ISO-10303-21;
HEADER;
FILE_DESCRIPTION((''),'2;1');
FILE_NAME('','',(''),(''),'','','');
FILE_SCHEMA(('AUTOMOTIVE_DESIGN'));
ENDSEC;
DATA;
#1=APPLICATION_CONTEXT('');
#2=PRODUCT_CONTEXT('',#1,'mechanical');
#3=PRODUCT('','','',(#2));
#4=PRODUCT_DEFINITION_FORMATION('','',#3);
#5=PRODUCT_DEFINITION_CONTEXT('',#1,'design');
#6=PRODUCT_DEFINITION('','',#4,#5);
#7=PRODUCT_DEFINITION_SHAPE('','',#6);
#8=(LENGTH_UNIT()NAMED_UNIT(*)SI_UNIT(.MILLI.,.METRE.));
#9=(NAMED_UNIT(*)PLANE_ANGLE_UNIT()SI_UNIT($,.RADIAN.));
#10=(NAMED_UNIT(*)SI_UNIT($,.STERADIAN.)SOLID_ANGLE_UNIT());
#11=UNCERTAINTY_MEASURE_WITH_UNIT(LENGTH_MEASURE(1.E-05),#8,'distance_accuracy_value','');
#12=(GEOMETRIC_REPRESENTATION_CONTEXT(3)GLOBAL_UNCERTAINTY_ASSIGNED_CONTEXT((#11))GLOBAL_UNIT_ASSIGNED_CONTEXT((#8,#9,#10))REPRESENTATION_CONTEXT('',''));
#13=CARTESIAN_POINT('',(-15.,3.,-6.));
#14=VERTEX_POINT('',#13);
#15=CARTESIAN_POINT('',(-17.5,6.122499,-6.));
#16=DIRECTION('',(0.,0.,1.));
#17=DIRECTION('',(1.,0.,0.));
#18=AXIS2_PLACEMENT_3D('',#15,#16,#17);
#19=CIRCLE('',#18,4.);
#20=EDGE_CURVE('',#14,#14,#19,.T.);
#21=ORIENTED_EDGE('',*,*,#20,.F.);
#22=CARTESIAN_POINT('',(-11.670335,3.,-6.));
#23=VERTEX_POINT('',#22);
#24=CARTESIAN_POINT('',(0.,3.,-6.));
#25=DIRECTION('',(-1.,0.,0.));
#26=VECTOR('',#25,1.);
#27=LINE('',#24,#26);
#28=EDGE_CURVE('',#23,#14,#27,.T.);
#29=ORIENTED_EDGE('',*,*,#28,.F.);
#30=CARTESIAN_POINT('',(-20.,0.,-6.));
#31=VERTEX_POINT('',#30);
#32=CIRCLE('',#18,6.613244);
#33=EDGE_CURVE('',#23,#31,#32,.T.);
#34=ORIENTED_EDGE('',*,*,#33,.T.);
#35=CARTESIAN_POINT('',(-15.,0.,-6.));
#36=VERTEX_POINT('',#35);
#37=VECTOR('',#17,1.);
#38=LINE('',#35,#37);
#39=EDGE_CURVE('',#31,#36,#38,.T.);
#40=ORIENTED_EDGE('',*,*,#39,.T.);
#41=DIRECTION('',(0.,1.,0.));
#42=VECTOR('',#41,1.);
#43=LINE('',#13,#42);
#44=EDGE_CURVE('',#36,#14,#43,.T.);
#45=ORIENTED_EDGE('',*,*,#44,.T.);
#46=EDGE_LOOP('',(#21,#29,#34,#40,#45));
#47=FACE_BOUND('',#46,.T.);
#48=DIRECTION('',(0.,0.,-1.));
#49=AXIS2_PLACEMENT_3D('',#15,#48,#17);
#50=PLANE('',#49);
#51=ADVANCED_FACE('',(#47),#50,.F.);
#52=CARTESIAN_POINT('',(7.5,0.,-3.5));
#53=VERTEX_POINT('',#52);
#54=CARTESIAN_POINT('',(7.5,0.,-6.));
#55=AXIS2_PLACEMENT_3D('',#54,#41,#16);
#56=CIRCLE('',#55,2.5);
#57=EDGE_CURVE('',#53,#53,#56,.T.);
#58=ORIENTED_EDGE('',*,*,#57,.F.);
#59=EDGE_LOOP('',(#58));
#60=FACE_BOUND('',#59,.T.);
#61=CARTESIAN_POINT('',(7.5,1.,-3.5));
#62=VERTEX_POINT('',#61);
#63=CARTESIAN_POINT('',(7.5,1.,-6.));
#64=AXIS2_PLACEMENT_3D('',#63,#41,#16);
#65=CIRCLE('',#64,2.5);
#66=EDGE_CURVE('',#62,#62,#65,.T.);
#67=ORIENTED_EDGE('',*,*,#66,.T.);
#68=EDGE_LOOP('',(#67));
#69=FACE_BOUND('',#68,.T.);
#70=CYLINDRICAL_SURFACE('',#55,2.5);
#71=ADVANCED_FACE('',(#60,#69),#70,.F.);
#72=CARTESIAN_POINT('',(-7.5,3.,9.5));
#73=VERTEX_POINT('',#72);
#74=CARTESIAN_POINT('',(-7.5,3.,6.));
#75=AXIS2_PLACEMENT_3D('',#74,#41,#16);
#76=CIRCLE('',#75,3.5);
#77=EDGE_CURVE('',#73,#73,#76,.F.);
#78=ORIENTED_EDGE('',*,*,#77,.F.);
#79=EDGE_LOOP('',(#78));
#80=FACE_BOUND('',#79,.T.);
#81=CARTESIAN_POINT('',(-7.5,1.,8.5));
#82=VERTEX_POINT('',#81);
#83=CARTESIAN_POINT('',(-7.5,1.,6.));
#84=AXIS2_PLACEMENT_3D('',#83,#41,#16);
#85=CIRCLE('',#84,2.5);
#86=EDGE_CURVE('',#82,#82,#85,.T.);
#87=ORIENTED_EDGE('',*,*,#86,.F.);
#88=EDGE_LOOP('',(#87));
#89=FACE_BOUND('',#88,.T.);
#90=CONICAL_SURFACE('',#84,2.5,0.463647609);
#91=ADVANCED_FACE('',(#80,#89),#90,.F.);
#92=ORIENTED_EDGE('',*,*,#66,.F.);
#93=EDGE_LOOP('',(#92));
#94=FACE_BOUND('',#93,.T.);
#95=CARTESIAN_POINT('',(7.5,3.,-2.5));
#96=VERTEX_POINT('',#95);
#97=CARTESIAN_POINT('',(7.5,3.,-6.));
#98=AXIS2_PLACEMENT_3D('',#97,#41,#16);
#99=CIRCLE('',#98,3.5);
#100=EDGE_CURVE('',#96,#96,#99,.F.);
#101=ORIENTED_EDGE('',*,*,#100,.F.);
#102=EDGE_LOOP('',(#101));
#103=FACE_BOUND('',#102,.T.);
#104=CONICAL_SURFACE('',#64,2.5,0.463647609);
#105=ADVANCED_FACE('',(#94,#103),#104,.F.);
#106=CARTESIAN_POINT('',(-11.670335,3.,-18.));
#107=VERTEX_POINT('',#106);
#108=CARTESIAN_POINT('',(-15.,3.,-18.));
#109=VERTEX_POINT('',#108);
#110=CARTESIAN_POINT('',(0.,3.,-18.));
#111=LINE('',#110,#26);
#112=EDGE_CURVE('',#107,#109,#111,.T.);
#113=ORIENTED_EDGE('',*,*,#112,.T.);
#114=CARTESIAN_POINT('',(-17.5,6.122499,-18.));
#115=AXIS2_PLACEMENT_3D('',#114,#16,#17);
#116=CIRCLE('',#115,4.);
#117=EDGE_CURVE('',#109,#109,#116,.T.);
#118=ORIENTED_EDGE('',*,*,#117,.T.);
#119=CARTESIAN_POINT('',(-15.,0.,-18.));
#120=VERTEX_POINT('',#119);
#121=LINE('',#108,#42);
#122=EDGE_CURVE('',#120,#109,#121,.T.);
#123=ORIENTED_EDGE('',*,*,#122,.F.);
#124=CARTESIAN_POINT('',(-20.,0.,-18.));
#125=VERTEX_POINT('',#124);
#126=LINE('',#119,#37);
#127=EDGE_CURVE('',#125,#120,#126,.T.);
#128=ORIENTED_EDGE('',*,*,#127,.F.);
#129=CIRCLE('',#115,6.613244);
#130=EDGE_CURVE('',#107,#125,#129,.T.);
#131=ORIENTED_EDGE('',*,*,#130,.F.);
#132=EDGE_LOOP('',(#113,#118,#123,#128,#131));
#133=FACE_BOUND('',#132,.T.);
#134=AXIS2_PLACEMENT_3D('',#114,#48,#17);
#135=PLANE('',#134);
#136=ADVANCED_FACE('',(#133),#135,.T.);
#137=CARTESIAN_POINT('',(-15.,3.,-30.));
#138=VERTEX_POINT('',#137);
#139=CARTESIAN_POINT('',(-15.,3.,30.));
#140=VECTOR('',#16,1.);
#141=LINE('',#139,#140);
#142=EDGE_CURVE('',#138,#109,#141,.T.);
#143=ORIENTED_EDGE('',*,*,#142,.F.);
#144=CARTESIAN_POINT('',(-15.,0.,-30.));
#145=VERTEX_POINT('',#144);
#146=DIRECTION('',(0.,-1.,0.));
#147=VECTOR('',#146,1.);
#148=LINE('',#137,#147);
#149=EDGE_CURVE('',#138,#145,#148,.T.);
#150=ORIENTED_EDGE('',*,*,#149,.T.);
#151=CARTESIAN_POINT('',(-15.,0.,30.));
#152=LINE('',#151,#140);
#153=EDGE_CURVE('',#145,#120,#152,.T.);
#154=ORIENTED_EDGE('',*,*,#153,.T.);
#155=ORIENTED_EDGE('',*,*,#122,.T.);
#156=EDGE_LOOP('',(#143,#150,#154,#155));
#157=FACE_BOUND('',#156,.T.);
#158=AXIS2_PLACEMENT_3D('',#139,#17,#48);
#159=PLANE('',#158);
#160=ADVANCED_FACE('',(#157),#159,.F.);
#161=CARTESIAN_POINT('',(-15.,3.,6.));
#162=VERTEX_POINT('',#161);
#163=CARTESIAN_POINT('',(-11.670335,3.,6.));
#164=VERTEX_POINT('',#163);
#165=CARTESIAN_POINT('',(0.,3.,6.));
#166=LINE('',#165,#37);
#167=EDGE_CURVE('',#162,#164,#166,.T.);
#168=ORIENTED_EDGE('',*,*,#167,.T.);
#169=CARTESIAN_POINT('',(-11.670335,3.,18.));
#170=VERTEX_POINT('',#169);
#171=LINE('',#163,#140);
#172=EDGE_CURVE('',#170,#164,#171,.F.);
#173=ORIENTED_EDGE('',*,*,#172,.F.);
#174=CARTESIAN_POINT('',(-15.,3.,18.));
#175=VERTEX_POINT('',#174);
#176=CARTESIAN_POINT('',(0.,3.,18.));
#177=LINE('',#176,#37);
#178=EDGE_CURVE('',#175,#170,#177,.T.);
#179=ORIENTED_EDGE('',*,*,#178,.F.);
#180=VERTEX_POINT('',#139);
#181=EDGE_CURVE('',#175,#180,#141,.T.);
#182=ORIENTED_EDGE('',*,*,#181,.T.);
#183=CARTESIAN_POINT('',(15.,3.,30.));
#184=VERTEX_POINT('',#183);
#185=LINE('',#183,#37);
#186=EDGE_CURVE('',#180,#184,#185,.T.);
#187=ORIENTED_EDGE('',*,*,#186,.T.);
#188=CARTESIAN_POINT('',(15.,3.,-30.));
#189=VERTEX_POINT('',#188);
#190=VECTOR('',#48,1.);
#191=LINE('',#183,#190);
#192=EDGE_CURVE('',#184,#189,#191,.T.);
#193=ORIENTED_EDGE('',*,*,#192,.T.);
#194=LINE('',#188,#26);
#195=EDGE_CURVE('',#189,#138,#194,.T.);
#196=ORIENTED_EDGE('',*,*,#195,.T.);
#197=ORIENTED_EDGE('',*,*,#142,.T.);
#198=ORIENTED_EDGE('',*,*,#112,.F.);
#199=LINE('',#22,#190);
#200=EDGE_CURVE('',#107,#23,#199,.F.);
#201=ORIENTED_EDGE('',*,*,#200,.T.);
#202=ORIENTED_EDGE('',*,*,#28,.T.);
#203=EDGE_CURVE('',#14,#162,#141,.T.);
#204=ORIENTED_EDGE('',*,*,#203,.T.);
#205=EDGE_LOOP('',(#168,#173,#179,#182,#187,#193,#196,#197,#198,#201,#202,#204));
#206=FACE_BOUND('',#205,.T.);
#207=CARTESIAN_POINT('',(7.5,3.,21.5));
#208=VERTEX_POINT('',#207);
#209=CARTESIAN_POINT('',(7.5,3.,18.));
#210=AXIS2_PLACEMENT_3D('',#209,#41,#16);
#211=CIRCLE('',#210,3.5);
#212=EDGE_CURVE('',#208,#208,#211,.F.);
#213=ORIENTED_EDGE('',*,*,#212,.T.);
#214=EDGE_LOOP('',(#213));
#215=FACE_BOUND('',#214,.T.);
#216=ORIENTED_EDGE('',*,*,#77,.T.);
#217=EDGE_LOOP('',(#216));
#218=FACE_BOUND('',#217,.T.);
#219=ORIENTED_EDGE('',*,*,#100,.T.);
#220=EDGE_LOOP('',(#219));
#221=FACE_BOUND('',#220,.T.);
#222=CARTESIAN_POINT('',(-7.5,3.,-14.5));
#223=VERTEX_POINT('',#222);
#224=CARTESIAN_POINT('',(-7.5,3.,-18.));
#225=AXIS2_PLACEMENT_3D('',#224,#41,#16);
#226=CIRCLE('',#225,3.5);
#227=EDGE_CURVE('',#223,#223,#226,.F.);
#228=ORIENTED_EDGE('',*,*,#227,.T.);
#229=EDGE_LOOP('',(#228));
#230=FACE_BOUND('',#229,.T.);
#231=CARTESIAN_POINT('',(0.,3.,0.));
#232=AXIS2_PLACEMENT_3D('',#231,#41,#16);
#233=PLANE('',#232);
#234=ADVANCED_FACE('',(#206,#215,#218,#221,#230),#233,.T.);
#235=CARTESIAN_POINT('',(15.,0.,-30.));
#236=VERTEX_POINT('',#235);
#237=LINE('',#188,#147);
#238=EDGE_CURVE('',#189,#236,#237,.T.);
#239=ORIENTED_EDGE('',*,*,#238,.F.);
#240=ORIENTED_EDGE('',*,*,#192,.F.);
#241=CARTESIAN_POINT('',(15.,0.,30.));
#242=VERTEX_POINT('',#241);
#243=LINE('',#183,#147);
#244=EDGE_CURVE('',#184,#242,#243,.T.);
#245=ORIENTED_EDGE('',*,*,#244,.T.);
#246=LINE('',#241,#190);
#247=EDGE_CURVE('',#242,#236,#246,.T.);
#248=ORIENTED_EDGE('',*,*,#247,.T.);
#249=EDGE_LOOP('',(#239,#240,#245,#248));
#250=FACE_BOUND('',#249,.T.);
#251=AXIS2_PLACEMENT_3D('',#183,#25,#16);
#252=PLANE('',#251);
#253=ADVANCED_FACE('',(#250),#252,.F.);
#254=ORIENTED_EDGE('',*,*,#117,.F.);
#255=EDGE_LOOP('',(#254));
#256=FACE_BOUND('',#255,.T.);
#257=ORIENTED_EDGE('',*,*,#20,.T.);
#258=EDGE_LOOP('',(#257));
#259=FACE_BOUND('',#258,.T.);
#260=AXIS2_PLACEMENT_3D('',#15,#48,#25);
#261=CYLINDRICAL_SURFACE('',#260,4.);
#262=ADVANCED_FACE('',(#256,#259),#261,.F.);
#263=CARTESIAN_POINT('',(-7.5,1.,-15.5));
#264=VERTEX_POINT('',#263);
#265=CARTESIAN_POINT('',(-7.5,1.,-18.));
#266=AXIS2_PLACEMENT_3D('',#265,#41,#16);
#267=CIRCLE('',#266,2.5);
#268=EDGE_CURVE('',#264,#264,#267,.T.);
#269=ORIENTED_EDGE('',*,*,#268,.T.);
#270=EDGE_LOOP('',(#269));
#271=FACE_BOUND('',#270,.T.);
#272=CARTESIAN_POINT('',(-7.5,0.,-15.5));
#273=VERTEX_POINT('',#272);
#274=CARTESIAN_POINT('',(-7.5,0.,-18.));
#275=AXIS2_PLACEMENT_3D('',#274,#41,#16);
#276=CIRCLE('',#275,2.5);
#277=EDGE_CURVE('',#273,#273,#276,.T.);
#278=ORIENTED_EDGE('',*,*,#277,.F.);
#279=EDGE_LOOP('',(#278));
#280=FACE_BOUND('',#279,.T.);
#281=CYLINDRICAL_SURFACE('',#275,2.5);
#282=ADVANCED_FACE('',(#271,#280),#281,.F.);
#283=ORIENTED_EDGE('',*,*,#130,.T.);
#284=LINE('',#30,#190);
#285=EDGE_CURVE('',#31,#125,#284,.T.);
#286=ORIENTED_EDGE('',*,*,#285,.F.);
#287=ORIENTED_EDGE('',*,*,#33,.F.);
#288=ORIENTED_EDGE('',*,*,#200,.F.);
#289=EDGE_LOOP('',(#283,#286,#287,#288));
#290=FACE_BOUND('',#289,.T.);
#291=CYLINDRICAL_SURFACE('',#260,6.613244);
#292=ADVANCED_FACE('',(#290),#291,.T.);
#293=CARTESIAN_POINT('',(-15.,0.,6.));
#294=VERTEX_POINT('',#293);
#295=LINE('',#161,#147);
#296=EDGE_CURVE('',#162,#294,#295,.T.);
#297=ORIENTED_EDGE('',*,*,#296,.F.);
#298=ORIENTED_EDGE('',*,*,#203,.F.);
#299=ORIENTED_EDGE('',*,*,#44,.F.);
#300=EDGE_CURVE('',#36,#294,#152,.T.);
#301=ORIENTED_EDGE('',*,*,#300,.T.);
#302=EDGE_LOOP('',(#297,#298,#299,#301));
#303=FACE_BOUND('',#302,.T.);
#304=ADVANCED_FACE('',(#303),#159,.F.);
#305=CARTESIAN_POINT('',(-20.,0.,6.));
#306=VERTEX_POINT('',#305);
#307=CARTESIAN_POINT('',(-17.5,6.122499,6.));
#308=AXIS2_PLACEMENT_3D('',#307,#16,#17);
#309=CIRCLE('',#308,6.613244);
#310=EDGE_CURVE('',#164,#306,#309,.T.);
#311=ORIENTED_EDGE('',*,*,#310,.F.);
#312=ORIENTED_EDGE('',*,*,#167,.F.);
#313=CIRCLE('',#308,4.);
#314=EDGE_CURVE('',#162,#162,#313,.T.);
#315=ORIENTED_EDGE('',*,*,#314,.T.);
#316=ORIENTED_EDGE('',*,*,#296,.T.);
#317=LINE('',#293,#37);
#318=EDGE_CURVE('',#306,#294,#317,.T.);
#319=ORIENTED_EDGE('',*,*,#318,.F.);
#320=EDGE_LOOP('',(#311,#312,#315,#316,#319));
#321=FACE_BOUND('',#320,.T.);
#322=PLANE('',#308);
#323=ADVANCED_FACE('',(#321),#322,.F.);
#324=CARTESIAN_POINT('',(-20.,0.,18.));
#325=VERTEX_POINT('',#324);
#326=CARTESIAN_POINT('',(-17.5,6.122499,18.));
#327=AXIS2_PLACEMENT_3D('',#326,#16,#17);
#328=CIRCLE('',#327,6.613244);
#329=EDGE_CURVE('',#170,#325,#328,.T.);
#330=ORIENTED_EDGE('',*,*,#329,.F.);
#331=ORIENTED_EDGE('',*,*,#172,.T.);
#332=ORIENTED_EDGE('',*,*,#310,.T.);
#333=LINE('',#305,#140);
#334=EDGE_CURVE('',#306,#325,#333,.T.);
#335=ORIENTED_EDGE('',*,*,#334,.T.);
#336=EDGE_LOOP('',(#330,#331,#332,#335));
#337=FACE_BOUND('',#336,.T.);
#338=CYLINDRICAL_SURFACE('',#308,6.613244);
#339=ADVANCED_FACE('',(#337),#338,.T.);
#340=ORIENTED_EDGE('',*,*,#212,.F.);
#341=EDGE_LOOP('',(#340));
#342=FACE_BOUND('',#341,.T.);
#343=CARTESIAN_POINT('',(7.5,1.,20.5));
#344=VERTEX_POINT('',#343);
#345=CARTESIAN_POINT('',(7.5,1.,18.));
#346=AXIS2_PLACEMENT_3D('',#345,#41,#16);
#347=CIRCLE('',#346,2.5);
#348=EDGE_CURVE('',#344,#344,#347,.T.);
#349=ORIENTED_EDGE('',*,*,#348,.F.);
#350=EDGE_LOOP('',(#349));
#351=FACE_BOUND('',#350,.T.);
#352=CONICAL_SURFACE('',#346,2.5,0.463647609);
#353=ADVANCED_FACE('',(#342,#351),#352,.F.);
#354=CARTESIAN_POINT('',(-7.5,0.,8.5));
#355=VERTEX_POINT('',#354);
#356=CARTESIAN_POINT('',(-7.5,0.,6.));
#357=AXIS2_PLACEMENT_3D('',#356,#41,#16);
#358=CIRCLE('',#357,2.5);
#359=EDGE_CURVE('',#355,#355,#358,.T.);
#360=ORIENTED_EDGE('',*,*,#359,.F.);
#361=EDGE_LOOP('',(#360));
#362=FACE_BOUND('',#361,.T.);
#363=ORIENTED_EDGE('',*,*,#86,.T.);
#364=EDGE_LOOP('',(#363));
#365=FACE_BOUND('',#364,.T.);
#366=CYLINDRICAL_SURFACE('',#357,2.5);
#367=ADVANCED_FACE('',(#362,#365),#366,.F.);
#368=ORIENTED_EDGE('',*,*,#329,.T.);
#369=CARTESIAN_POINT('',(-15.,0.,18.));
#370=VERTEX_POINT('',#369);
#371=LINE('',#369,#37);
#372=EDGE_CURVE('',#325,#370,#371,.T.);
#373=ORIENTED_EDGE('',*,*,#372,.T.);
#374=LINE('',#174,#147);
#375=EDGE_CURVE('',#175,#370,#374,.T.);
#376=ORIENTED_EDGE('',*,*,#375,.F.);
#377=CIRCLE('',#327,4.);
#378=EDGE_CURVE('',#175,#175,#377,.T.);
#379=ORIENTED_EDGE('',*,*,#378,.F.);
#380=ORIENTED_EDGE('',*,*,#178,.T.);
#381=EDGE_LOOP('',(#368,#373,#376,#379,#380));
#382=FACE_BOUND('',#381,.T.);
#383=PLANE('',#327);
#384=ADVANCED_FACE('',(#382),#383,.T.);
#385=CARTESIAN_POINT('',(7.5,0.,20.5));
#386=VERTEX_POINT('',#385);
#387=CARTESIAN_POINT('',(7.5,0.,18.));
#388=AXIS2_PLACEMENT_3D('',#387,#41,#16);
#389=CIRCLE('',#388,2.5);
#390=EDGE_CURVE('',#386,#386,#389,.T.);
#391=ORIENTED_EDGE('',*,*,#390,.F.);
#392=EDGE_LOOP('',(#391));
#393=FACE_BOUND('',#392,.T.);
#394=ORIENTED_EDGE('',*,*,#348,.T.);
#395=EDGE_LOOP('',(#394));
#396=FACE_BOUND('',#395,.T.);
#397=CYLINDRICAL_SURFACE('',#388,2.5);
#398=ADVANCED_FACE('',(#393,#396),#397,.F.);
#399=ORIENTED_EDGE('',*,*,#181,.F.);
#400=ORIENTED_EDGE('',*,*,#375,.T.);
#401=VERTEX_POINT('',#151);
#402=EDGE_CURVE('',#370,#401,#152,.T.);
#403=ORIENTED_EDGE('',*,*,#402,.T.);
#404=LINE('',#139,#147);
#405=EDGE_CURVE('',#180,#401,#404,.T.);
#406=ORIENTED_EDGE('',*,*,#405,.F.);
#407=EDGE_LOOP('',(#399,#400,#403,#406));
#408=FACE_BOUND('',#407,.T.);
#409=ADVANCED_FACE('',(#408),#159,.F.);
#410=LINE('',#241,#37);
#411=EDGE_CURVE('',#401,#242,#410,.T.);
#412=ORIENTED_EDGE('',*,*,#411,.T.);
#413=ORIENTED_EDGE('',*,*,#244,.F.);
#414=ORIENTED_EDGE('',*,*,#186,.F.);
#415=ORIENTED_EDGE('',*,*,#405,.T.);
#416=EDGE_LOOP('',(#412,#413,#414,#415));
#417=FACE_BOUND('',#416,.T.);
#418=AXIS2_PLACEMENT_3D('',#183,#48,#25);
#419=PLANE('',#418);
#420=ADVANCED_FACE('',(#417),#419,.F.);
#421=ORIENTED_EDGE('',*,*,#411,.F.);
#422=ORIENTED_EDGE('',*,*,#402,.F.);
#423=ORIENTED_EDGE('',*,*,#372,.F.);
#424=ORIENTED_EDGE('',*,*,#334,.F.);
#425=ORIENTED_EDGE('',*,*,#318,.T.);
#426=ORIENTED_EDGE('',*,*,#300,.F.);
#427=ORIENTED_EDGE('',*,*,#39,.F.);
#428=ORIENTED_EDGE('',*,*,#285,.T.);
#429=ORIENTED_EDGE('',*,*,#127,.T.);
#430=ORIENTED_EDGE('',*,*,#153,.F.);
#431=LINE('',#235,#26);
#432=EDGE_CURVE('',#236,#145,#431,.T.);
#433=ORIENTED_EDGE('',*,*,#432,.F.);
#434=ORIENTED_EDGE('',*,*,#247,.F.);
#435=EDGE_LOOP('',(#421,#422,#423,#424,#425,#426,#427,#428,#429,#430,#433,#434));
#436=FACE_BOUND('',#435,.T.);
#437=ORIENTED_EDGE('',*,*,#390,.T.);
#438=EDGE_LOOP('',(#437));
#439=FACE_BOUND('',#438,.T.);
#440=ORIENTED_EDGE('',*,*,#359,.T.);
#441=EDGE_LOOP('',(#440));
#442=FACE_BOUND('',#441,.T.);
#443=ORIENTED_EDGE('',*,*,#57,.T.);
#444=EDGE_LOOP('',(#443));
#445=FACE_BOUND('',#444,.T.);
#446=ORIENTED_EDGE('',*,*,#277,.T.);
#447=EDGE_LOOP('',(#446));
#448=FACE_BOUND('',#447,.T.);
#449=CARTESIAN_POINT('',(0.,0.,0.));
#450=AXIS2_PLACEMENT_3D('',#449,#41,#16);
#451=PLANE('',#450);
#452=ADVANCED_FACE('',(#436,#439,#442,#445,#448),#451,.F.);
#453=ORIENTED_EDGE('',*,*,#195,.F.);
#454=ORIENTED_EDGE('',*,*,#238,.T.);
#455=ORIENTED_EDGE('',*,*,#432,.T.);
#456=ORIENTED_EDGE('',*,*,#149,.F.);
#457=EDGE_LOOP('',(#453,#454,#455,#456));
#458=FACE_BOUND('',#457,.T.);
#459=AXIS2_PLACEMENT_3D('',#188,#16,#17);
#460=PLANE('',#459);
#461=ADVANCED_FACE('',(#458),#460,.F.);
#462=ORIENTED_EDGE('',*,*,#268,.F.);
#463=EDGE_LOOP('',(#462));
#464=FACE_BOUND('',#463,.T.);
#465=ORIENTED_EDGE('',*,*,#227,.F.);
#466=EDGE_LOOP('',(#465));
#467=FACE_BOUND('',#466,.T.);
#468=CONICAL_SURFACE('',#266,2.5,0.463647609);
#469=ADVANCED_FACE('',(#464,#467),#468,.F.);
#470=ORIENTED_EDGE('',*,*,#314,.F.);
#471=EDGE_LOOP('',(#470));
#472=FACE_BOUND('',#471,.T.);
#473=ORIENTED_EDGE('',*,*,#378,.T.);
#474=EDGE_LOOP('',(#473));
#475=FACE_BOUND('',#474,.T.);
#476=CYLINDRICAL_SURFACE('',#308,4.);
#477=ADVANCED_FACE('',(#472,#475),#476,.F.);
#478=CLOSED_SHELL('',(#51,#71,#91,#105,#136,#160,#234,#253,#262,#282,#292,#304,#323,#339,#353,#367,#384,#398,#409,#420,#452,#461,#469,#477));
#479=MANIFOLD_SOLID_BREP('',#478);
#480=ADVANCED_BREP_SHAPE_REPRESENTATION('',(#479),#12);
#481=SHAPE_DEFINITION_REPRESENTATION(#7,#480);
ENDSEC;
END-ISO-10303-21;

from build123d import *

# Parameters (mm, degrees)
SKETCH1_W           = 30
SKETCH1_H           = 60
BOSS_EXTRUDE1_DEPTH = 3
BOSS_EXTRUDE2_START = -12
SKETCH2_R           = 4
BOSS_EXTRUDE2_DEPTH = 12
SKETCH8_R           = 2.5
CUT_EXTRUDE1_DEPTH  = 4
CHAMFER1_SIZE       = 1
CHAMFER1_SIZE2      = 2


with BuildPart() as part:
    # Sketch1 → Boss-Extrude1 (new body)
    with BuildSketch(Plane(origin=(0, 0, 0), x_dir=(1, 0, 0), z_dir=(0, 1, 0))):
        Rectangle(SKETCH1_W, SKETCH1_H)
    extrude(amount=BOSS_EXTRUDE1_DEPTH)

    # Sketch2 → Boss-Extrude2 (add)
    with BuildSketch(Plane.XY.offset(30).offset(BOSS_EXTRUDE2_START)):
        with BuildLine():
            Line((-15, 0), (-20, 0))
            ThreePointArc((-20, 0), (-17.5, 12.735742832), (-15, 0))
        make_face()
        with Locations((-17.5, 6.122498999)):
            Circle(SKETCH2_R, mode=Mode.SUBTRACT)
    boss_extrude2 = extrude(amount=-BOSS_EXTRUDE2_DEPTH)

    # Mirror1: Boss-Extrude2 across plane
    add(boss_extrude2.mirror(Plane.XY))

    # Sketch8 → Cut-Extrude1 (cut, through all)
    with BuildSketch(Plane(origin=(0, 3, 0), x_dir=(1, 0, 0), z_dir=(0, 1, 0))):
        with Locations((7.5, -18)):
            Circle(SKETCH8_R)
        with Locations((-7.5, -6)):
            Circle(SKETCH8_R)
        with Locations((7.5, 6)):
            Circle(SKETCH8_R)
        with Locations((-7.5, 18)):
            Circle(SKETCH8_R)
    extrude(amount=-CUT_EXTRUDE1_DEPTH, mode=Mode.SUBTRACT)

    # Chamfer1
    chamfer1_edges = [part.edges().sort_by_distance(p)[0] for p in [
        (-10, 3, -18),
        (-10, 3, 6),
        (5, 3, 18),
        (5, 3, -6),
    ]]
    chamfer1_side = [part.faces().sort_by_distance(p)[0] for p in [
        (0.649167265, 3, 0),
    ]]
    chamfer(chamfer1_edges, length=CHAMFER1_SIZE, length2=CHAMFER1_SIZE2, reference=chamfer1_side[0])


solid = part.part
